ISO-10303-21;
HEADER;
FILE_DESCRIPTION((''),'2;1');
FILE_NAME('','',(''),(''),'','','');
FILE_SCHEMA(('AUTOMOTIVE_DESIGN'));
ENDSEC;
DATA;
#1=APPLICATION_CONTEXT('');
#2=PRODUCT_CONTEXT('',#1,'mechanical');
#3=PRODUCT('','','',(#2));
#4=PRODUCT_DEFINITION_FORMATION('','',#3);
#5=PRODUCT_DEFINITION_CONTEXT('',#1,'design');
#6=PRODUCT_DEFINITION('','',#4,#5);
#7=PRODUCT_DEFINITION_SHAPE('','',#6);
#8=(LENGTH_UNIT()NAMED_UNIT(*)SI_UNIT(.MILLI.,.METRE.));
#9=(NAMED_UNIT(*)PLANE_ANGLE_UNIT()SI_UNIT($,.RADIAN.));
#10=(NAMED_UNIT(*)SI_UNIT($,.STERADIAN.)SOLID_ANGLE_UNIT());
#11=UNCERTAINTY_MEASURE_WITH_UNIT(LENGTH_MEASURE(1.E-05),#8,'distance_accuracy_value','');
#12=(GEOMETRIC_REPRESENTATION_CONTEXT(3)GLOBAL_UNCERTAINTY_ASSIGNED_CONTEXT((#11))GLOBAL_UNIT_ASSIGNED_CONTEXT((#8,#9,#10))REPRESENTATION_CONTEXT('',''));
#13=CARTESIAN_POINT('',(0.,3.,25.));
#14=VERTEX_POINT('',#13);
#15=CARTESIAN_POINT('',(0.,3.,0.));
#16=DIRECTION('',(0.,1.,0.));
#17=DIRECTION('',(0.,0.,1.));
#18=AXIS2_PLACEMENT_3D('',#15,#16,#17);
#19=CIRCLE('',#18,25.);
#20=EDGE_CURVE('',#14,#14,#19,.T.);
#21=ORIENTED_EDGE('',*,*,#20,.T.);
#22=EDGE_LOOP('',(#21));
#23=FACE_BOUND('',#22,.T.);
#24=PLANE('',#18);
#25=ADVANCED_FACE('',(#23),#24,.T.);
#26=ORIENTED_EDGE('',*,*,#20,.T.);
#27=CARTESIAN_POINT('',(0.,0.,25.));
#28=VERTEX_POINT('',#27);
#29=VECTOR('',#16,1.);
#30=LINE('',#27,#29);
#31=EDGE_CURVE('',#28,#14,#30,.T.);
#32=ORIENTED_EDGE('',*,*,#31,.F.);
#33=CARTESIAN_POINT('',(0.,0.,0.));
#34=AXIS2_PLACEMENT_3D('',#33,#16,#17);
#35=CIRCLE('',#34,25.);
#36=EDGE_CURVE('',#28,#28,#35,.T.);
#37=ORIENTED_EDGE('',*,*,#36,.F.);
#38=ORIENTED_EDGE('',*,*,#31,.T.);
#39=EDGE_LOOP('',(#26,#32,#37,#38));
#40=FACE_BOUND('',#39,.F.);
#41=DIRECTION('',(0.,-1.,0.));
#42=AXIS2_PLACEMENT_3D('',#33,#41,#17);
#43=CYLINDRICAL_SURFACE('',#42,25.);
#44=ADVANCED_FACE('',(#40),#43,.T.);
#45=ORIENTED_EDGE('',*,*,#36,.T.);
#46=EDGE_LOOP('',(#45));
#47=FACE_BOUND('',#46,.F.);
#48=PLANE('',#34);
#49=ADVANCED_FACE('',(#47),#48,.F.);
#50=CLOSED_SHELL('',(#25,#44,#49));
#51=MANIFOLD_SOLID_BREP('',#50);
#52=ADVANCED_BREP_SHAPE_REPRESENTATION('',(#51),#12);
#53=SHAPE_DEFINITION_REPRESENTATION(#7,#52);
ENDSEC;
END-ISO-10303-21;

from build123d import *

# Parameters (mm, degrees)
SKETCH_1_R      = 25
EXTRUDE_1_DEPTH = 3


with BuildPart() as part:
    # 草图1 → 凸台-拉伸1 (new body)
    with BuildSketch(Plane(origin=(0, 0, 0), x_dir=(1, 0, 0), z_dir=(0, 1, 0))):
        with Locations(Location((0, 0, 0), (0, 0, 270))):  # turned: the seam where the file's is
            Circle(SKETCH_1_R)
    extrude(amount=EXTRUDE_1_DEPTH)


solid = part.part
